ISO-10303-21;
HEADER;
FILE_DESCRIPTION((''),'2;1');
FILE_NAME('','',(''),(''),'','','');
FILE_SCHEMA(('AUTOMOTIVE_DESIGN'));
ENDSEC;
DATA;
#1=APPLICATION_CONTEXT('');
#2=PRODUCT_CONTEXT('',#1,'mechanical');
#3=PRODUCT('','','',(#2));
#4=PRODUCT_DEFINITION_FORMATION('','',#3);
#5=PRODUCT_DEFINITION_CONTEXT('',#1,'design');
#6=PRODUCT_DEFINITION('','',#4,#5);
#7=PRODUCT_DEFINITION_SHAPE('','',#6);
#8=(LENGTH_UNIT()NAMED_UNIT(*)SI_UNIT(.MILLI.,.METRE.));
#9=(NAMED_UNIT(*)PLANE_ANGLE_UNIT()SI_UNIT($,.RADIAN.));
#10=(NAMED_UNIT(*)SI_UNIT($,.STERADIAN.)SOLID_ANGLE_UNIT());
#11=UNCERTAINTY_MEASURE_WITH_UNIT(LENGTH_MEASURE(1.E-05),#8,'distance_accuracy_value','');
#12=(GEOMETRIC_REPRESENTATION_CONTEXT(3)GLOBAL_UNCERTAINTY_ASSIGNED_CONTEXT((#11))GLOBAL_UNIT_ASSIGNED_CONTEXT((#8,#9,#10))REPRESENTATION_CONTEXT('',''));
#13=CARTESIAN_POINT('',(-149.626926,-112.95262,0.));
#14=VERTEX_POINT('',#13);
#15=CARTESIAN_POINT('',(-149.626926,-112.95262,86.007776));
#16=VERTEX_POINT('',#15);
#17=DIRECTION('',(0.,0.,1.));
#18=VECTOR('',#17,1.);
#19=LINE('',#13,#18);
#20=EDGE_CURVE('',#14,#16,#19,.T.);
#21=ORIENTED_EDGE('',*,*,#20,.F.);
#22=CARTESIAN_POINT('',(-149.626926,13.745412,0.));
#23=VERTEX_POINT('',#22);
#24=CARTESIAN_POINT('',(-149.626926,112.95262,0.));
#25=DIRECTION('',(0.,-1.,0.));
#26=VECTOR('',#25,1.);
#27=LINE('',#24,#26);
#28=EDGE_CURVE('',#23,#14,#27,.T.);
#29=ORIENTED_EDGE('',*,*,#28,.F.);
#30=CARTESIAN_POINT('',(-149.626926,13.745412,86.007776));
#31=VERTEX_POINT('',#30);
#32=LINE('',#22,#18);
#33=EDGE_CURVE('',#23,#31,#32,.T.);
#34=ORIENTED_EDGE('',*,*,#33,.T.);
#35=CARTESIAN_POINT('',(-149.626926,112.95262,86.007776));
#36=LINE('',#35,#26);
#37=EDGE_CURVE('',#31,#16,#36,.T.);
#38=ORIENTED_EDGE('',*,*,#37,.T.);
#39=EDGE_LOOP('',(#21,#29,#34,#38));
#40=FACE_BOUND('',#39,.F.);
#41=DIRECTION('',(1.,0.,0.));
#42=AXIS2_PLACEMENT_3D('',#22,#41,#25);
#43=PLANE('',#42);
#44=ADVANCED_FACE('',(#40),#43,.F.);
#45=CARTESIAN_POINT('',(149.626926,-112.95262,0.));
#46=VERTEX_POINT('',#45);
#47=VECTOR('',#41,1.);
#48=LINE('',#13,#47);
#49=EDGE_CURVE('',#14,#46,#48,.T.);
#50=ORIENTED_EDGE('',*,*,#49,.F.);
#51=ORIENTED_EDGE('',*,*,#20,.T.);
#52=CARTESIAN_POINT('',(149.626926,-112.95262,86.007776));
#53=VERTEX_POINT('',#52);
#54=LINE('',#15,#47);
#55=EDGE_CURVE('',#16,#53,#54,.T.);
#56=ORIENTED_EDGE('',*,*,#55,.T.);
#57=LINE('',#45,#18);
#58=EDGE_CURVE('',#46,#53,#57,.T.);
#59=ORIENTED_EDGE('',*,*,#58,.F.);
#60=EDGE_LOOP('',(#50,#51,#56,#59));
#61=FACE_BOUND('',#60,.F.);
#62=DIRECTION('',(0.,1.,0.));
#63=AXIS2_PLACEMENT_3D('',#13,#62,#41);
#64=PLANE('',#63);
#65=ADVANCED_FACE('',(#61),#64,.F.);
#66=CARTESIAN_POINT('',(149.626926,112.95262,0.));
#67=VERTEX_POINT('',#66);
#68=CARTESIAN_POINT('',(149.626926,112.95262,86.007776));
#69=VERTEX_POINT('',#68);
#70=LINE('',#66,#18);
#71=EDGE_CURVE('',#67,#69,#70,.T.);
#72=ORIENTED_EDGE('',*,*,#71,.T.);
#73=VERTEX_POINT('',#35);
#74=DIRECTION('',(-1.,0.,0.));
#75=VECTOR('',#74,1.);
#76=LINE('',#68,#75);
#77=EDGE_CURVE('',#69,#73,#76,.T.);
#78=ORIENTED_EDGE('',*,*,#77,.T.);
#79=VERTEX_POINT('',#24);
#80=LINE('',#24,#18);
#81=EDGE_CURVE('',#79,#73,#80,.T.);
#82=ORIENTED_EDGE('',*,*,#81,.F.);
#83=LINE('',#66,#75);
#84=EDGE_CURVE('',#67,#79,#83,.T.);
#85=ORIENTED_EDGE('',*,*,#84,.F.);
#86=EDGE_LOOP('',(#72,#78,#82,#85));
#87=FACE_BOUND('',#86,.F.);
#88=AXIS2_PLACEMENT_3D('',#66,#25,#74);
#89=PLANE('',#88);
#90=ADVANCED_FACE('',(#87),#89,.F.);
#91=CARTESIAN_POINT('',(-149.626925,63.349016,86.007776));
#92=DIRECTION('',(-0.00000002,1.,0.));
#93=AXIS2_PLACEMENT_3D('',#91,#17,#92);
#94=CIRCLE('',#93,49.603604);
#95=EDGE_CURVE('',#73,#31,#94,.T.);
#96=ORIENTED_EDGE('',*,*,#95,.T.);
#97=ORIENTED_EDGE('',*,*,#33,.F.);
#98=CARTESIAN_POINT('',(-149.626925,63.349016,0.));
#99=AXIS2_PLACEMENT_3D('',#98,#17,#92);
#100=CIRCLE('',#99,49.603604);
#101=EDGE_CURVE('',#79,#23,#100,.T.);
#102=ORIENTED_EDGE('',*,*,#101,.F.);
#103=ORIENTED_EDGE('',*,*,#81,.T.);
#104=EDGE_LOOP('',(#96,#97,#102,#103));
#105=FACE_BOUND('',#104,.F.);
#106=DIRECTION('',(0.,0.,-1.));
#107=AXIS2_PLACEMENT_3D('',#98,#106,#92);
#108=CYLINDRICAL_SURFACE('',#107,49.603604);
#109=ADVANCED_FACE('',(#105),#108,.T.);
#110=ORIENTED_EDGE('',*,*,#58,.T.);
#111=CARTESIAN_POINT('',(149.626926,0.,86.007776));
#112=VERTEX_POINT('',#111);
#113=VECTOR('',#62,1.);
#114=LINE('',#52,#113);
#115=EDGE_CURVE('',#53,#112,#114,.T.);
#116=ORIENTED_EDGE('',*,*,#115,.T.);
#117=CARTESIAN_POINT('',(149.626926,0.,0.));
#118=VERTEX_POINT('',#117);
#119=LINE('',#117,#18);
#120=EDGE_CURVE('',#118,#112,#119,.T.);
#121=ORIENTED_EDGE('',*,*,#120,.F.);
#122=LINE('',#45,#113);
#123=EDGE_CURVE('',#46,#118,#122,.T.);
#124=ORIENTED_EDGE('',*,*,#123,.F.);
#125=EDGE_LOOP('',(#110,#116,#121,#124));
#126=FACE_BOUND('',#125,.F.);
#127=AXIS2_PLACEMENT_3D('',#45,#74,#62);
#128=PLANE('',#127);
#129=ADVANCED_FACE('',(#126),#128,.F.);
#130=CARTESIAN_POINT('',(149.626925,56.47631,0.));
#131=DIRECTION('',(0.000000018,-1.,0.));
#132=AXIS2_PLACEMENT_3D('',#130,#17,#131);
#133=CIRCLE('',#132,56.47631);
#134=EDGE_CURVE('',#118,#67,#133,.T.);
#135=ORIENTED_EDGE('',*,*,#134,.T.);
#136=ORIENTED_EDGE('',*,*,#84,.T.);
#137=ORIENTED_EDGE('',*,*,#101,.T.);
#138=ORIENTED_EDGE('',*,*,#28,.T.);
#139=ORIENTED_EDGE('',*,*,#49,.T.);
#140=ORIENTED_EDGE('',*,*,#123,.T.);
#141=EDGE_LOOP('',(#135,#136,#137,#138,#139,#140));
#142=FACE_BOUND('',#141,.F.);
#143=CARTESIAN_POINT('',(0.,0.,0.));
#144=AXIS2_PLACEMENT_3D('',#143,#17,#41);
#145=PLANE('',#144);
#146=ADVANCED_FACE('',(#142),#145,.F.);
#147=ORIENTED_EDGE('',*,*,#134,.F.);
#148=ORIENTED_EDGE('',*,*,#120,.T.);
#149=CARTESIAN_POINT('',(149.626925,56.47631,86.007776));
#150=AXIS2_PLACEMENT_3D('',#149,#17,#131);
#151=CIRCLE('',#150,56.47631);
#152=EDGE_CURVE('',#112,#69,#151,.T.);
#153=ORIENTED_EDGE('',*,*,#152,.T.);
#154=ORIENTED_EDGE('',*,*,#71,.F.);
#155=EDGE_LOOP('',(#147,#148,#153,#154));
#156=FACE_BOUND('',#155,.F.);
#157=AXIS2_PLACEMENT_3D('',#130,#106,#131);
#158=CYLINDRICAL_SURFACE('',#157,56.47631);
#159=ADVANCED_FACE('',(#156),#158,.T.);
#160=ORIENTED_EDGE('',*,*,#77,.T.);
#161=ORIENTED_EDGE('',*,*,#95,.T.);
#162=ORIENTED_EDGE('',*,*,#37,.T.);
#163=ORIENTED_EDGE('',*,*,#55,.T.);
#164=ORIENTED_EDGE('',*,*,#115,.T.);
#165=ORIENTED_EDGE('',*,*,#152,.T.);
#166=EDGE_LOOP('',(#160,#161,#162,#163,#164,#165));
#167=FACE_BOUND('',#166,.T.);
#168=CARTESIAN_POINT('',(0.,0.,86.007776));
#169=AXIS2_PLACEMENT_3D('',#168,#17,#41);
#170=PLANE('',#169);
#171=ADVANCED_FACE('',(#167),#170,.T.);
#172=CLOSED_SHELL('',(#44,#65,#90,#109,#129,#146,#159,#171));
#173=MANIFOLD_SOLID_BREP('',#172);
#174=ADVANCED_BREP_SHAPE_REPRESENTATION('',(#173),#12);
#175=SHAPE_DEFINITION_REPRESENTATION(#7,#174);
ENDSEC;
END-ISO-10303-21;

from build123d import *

# Parameters (mm, degrees)
F1_DEPTH = 86.007776


with BuildPart() as f1:
    # F0 (on Top) → F1 (new body)
    with BuildSketch(Plane.XY):
        Polygon((149.626926, 0), (149.626926, 112.95262), (-149.626926, 112.95262), (-149.626926, 13.745412), (-149.626926, -112.95262), (149.626926, -112.95262), align=None)
        with BuildLine():
            Line((-149.626926, 13.745412), (-149.626926, 112.95262))
            ThreePointArc((-149.626926, 112.95262), (-199.230529, 63.349016), (-149.626926, 13.745412))
        make_face()
        with BuildLine():
            ThreePointArc((149.626926, 0), (206.103235, 56.47631), (149.626926, 112.95262))
            Line((149.626926, 112.95262), (149.626926, 0))
        make_face()
    extrude(amount=F1_DEPTH)


solid = f1.part
